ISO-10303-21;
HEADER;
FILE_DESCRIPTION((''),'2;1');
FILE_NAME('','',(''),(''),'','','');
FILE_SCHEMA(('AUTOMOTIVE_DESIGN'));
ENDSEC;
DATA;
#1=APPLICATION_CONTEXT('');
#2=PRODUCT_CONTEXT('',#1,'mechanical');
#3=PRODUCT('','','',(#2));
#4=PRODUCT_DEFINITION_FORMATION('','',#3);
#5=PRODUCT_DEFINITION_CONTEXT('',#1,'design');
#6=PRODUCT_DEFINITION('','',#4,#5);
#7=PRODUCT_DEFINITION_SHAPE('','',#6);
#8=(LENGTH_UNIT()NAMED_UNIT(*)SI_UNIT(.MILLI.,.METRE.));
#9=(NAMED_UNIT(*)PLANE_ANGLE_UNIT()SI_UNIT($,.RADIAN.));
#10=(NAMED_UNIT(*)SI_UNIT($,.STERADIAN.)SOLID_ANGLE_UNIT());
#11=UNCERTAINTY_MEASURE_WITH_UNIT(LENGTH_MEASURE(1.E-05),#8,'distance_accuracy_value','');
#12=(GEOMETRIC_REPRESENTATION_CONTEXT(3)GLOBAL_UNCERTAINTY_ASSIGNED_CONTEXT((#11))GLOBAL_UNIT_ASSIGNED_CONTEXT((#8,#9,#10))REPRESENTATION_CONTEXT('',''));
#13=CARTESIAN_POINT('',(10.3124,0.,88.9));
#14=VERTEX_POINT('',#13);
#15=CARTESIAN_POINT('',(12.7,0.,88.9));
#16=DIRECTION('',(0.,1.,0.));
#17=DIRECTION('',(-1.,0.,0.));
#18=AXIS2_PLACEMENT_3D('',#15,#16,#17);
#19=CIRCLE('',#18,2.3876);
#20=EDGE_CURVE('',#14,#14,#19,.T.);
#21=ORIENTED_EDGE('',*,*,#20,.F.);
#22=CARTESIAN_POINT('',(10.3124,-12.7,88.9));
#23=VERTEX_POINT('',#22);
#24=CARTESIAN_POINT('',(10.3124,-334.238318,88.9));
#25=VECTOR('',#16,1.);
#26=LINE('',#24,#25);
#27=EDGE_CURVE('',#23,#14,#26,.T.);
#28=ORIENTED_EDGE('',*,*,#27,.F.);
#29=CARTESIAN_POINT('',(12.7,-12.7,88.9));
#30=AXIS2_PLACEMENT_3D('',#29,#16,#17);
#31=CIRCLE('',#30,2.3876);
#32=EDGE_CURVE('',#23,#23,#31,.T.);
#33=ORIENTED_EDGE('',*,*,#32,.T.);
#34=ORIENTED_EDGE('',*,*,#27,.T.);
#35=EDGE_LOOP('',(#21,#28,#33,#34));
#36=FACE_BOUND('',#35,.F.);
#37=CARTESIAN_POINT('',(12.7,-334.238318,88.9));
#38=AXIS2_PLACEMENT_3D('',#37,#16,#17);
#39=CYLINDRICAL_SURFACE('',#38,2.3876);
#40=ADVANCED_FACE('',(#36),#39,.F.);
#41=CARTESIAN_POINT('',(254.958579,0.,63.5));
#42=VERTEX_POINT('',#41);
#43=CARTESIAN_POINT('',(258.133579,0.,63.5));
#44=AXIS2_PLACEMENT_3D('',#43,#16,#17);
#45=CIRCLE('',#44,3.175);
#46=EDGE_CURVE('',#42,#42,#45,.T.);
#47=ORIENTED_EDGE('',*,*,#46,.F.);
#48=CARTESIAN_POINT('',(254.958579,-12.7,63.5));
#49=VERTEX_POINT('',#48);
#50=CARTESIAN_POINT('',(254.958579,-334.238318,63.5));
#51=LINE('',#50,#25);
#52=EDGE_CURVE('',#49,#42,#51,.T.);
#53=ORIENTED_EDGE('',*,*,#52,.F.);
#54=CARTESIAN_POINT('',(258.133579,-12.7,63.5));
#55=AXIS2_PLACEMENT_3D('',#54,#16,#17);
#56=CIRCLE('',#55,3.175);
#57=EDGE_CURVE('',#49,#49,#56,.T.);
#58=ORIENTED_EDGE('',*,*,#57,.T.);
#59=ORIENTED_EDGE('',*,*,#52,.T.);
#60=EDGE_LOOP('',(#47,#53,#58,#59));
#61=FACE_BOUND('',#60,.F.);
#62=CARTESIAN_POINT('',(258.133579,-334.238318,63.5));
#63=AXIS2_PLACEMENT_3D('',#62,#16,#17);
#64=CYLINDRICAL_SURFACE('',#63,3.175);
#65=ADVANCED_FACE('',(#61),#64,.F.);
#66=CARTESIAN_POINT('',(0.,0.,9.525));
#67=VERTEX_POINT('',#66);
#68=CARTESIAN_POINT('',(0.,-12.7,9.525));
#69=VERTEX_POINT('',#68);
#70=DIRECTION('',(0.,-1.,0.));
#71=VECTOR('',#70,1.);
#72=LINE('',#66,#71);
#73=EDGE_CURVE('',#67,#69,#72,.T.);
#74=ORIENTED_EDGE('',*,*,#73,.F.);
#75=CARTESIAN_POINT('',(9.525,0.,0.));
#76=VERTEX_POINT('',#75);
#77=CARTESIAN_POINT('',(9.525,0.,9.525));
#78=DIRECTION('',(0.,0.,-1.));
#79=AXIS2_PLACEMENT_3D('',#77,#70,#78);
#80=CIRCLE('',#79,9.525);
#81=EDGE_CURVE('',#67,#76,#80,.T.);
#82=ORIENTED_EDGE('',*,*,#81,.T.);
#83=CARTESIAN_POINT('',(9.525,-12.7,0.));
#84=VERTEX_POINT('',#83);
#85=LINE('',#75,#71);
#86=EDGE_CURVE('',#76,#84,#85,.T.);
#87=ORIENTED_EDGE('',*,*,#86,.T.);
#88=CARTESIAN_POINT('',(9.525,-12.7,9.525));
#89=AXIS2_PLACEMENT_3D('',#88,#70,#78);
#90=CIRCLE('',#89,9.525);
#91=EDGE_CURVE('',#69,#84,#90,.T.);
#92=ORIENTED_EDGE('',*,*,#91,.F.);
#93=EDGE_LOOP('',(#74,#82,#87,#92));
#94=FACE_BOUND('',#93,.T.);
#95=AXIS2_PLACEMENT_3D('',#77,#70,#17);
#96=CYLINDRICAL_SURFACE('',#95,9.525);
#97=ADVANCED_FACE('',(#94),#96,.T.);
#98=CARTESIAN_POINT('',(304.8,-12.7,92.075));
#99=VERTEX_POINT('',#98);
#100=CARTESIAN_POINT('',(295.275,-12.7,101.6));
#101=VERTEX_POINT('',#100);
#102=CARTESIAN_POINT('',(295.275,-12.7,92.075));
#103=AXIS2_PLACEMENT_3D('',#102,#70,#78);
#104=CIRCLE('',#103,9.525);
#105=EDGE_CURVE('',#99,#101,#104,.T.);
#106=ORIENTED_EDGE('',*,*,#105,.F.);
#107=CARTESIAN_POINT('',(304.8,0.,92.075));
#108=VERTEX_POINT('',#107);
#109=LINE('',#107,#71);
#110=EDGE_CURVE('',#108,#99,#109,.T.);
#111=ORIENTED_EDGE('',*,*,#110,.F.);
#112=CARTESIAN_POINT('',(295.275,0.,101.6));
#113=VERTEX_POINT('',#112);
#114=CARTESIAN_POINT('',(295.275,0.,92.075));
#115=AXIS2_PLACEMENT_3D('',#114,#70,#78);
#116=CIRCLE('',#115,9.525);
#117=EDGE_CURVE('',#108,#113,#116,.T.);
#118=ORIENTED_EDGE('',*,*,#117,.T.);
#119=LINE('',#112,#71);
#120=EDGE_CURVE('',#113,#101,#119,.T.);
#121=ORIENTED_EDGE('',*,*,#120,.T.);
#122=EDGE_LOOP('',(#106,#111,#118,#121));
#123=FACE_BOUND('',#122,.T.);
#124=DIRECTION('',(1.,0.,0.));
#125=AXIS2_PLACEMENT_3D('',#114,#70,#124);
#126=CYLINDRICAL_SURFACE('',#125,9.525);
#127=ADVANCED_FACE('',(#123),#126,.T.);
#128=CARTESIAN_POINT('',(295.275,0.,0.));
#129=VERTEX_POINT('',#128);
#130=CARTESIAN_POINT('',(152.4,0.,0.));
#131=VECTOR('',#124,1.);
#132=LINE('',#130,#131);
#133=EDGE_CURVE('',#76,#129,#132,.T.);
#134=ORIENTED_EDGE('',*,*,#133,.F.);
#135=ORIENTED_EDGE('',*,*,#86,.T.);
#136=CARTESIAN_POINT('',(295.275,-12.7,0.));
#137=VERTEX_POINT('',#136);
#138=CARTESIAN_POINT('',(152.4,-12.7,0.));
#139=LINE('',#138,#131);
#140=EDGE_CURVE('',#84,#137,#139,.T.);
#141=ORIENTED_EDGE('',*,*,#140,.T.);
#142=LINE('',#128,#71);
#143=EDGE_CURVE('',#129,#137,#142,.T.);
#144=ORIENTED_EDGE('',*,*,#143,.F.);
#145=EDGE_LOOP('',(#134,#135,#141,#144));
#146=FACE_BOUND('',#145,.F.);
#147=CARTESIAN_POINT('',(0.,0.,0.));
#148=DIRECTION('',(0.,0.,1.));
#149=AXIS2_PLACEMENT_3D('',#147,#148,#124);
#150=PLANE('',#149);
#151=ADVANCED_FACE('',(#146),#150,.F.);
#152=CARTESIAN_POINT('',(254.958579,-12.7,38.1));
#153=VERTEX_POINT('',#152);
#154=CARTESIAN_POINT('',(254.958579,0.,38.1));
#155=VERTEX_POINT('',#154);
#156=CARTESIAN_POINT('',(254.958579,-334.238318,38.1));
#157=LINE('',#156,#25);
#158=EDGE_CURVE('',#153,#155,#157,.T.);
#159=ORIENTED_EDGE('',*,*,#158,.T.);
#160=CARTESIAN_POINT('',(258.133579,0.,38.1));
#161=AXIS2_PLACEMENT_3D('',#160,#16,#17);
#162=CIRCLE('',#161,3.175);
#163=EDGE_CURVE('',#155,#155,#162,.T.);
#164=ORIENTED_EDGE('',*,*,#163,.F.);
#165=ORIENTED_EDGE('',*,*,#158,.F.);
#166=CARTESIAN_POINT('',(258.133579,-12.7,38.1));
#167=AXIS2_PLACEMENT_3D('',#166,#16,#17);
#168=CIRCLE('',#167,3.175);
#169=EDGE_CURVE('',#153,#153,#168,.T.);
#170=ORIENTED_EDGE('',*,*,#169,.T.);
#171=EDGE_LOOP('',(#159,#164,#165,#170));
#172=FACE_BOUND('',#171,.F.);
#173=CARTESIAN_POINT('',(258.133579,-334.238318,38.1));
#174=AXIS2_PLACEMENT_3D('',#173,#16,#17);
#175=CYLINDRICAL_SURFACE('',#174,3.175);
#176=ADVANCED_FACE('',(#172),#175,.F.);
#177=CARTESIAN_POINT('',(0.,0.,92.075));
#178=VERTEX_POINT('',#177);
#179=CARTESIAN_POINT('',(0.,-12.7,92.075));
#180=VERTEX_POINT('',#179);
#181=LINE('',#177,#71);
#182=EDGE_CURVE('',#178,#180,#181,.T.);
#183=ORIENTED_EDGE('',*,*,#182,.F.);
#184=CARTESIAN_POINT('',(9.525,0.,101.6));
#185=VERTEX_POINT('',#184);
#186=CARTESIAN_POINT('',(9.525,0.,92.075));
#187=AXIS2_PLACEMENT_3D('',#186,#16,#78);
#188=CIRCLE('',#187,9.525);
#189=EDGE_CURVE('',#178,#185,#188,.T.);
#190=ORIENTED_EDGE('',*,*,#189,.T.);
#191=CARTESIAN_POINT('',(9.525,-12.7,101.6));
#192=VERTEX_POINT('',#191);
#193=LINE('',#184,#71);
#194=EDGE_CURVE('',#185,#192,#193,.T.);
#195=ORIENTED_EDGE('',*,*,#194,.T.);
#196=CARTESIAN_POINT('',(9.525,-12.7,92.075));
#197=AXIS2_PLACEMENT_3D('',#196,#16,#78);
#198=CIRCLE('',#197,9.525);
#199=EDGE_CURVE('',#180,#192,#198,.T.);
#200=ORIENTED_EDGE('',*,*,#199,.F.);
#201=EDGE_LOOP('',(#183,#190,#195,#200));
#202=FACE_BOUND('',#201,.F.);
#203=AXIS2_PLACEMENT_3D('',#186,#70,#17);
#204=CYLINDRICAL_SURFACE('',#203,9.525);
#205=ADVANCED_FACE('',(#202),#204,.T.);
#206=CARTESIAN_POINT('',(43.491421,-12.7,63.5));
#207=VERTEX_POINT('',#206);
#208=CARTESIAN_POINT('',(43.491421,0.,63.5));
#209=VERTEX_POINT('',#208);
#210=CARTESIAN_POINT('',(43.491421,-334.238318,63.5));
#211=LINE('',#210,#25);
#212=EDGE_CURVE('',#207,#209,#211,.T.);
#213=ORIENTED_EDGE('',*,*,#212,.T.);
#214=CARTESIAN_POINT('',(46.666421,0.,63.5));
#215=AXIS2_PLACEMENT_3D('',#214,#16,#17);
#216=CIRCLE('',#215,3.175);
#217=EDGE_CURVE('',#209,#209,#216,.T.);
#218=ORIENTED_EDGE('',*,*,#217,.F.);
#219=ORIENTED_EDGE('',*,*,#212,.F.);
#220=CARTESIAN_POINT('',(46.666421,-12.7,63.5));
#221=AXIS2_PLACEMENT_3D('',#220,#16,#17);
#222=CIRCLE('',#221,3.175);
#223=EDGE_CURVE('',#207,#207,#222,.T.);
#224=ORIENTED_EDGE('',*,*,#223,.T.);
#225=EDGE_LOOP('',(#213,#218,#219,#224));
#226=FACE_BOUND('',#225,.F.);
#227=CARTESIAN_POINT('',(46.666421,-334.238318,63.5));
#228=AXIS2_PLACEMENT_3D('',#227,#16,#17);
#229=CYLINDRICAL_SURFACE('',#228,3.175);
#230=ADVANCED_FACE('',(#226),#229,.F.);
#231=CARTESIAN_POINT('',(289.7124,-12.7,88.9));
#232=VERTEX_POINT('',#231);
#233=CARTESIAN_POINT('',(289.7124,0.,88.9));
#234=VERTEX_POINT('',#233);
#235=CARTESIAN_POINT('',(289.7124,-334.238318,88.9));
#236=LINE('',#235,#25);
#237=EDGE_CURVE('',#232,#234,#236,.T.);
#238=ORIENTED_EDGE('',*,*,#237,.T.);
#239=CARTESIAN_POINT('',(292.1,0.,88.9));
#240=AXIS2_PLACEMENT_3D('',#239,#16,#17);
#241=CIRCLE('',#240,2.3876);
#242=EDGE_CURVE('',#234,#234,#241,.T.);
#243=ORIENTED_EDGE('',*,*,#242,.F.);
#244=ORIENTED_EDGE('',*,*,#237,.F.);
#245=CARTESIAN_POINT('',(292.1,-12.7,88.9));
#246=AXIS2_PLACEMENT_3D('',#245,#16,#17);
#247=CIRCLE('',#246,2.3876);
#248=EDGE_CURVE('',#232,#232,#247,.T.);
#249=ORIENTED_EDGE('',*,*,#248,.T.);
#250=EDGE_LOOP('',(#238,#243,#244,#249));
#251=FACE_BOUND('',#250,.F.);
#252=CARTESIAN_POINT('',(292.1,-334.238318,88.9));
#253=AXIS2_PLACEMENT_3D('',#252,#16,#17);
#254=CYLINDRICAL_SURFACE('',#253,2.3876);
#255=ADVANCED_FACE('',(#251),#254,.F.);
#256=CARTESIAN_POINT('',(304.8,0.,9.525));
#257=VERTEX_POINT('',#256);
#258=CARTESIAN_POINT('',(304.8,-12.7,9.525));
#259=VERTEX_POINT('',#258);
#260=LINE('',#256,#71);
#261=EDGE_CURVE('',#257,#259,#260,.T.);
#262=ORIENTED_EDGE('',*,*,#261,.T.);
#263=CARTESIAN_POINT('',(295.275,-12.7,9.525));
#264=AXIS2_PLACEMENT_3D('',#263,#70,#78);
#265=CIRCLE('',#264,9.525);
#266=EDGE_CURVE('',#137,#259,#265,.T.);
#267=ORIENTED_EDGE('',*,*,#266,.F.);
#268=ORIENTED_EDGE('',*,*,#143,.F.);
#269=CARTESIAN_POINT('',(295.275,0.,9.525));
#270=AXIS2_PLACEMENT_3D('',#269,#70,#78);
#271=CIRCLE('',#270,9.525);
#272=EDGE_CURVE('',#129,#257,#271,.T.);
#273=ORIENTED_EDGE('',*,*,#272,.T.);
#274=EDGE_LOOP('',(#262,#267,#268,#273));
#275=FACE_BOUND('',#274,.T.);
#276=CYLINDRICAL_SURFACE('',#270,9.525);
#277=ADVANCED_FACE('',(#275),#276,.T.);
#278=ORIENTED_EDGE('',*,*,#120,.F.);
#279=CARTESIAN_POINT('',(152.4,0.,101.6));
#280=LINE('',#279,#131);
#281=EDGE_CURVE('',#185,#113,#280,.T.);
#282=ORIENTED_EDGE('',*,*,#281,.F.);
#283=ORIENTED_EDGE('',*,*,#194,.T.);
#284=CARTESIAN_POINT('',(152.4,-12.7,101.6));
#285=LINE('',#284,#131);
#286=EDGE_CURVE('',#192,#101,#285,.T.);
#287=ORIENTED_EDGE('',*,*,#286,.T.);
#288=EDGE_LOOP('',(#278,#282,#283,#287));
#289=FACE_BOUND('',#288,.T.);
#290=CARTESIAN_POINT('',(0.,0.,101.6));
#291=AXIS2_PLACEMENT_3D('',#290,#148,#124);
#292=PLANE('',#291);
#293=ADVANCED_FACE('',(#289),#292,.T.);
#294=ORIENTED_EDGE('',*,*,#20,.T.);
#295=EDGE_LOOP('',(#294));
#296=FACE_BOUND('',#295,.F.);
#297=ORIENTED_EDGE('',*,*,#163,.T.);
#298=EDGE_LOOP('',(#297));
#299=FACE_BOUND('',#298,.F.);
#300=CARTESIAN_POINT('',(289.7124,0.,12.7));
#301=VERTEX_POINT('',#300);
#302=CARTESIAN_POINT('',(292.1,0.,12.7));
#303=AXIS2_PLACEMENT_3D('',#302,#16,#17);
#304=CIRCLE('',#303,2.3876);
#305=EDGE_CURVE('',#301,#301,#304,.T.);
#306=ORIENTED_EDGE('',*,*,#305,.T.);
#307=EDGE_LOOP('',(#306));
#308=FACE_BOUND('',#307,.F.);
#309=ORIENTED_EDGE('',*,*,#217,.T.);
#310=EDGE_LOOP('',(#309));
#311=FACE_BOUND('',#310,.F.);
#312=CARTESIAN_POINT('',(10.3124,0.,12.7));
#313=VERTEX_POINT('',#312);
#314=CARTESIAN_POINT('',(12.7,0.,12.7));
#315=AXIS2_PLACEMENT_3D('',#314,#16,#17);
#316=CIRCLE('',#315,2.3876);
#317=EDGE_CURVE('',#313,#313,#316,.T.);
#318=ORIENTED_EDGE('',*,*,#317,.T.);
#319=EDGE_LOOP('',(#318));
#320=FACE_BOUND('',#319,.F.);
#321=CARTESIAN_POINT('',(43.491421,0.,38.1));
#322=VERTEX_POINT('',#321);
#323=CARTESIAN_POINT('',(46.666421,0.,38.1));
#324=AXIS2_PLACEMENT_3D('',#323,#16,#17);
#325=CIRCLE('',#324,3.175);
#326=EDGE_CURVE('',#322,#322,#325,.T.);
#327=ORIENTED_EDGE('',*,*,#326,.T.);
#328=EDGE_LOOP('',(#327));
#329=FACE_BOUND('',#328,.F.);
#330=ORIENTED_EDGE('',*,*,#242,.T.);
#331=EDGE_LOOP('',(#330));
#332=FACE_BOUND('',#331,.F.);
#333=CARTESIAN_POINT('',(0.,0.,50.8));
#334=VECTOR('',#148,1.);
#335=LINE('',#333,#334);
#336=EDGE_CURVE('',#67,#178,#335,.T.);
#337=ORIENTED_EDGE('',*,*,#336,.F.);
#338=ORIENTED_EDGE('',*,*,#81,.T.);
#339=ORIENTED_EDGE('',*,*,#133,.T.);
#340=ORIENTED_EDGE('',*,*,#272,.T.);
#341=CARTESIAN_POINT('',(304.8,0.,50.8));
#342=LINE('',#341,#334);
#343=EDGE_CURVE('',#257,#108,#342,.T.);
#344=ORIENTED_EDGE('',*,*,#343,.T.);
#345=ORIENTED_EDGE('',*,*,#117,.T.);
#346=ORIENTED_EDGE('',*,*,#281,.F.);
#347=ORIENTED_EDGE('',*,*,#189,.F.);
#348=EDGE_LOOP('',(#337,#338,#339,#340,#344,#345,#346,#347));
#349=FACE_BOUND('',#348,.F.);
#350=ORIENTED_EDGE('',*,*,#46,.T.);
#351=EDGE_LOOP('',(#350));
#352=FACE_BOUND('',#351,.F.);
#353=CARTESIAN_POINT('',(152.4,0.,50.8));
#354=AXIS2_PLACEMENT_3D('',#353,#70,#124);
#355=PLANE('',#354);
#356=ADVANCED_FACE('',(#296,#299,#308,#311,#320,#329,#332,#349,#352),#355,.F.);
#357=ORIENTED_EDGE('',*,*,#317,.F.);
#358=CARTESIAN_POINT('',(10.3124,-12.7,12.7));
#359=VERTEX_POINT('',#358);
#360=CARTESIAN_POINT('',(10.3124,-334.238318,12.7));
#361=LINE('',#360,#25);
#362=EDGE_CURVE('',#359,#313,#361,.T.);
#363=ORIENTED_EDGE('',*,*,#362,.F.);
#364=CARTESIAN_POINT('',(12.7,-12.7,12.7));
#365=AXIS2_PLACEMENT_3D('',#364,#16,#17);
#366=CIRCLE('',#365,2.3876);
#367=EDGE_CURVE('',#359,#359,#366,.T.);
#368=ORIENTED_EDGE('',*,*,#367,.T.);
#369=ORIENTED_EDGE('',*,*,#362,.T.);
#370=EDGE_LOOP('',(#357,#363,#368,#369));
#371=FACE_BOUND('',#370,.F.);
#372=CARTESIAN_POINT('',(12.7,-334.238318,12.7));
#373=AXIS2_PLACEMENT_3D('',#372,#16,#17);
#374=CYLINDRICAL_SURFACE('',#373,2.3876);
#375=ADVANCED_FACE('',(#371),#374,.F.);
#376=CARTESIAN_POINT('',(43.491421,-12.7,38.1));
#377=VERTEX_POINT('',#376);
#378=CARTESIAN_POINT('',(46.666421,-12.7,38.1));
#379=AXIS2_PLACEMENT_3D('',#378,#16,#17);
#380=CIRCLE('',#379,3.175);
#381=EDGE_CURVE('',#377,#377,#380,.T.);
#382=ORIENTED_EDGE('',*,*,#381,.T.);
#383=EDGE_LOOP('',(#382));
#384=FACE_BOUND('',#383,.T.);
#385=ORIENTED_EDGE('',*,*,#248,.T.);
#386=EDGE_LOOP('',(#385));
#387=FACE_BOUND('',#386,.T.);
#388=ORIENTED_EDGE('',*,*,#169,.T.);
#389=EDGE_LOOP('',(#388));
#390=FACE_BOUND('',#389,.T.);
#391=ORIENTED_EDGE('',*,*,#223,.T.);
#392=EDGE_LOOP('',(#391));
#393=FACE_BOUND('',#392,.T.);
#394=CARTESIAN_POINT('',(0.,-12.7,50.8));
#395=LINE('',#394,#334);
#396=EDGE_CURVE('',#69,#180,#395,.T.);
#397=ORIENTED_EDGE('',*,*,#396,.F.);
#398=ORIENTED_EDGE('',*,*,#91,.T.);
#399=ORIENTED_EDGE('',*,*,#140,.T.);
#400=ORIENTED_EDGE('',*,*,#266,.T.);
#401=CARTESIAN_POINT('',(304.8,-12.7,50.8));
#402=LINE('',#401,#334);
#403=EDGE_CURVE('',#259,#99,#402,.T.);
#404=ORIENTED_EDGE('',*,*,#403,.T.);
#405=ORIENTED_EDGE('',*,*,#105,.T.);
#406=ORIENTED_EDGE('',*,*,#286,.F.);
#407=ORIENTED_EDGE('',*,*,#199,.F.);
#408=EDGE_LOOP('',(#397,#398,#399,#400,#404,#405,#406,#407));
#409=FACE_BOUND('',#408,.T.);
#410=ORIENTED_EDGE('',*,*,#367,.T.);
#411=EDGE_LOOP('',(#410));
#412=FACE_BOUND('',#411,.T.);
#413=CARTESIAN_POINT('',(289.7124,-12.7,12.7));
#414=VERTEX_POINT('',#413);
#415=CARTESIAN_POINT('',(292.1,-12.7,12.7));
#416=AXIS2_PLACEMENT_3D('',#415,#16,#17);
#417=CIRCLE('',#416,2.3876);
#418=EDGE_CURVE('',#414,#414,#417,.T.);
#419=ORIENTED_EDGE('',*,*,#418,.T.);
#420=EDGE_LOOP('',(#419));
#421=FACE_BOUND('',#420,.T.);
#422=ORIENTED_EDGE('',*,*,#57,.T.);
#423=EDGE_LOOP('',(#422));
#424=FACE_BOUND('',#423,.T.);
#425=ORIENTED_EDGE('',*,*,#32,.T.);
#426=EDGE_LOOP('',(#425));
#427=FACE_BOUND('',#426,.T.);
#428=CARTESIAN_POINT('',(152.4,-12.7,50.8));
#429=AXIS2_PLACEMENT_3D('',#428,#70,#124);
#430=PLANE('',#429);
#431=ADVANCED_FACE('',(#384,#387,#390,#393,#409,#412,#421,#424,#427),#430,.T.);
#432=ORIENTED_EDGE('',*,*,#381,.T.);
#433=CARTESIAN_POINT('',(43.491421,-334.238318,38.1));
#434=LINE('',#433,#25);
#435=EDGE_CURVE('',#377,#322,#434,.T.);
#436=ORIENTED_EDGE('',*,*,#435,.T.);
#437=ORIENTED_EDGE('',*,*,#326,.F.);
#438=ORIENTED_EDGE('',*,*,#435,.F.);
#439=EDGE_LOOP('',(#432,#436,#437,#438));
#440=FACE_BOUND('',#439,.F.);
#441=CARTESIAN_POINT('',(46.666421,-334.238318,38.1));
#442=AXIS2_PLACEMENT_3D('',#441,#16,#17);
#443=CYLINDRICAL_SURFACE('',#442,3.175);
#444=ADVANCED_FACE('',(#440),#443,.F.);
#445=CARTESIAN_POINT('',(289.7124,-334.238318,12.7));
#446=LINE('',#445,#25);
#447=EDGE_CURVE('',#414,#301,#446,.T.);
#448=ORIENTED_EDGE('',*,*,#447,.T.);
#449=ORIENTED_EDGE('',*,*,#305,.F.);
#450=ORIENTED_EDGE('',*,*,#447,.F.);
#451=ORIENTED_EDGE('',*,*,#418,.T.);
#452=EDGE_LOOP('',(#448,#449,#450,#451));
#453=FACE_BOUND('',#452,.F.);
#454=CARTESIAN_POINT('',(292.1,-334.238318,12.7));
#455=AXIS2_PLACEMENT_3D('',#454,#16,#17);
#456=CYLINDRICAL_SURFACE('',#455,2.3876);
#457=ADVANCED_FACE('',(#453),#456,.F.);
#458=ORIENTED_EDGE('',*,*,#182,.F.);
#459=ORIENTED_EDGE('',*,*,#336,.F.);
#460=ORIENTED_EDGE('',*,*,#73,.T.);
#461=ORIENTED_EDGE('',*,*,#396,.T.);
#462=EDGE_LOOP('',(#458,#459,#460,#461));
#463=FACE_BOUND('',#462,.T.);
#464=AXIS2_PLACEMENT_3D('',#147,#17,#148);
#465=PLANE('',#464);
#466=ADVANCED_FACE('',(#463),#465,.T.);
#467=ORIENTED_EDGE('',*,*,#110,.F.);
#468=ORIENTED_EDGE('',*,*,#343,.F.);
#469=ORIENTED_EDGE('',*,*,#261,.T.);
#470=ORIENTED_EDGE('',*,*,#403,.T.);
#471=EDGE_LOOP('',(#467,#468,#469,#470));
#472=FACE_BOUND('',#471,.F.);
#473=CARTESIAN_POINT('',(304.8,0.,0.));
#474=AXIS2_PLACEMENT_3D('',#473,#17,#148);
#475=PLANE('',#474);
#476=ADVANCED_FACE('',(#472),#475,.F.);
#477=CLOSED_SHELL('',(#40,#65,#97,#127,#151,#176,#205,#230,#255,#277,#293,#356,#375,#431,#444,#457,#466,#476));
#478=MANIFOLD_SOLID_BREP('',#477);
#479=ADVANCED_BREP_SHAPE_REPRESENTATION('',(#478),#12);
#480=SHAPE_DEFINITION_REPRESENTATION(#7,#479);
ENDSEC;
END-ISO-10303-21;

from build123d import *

# Parameters (mm, degrees)
F0_W     = 304.8
F0_H     = 101.6
F1_DEPTH = 12.7
F2_R     = 9.525
F4_D     = 4.7752
F6_D     = 6.35


with BuildPart() as f1:
    # F0 (on Front) → F1 (new body)
    with BuildSketch(Plane.XZ):
        with Locations((152.4, 50.8)):
            Rectangle(F0_W, F0_H)
    extrude(amount=F1_DEPTH)

    # F2
    f2_edges = [f1.edges().sort_by_distance(p)[0] for p in [
        (0, -6.35, 101.6),
        (304.8, -6.35, 101.6),
        (304.8, -6.35, 0),
        (0, -6.35, 0),
    ]]
    fillet(f2_edges, radius=F2_R)

    # F4 (through all)
    with Locations(Plane.XZ.offset(12.7)):
        with Locations((12.7, 88.9), (12.7, 12.7), (292.1, 12.7), (292.1, 88.9)):
            Hole(F4_D / 2)

    # F6 (through all)
    with Locations(Plane.XZ.offset(12.7)):
        with Locations((46.666421, 63.5), (46.666421, 38.1), (258.133579, 63.5), (258.133579, 38.1)):
            Hole(F6_D / 2)


solid = f1.part
